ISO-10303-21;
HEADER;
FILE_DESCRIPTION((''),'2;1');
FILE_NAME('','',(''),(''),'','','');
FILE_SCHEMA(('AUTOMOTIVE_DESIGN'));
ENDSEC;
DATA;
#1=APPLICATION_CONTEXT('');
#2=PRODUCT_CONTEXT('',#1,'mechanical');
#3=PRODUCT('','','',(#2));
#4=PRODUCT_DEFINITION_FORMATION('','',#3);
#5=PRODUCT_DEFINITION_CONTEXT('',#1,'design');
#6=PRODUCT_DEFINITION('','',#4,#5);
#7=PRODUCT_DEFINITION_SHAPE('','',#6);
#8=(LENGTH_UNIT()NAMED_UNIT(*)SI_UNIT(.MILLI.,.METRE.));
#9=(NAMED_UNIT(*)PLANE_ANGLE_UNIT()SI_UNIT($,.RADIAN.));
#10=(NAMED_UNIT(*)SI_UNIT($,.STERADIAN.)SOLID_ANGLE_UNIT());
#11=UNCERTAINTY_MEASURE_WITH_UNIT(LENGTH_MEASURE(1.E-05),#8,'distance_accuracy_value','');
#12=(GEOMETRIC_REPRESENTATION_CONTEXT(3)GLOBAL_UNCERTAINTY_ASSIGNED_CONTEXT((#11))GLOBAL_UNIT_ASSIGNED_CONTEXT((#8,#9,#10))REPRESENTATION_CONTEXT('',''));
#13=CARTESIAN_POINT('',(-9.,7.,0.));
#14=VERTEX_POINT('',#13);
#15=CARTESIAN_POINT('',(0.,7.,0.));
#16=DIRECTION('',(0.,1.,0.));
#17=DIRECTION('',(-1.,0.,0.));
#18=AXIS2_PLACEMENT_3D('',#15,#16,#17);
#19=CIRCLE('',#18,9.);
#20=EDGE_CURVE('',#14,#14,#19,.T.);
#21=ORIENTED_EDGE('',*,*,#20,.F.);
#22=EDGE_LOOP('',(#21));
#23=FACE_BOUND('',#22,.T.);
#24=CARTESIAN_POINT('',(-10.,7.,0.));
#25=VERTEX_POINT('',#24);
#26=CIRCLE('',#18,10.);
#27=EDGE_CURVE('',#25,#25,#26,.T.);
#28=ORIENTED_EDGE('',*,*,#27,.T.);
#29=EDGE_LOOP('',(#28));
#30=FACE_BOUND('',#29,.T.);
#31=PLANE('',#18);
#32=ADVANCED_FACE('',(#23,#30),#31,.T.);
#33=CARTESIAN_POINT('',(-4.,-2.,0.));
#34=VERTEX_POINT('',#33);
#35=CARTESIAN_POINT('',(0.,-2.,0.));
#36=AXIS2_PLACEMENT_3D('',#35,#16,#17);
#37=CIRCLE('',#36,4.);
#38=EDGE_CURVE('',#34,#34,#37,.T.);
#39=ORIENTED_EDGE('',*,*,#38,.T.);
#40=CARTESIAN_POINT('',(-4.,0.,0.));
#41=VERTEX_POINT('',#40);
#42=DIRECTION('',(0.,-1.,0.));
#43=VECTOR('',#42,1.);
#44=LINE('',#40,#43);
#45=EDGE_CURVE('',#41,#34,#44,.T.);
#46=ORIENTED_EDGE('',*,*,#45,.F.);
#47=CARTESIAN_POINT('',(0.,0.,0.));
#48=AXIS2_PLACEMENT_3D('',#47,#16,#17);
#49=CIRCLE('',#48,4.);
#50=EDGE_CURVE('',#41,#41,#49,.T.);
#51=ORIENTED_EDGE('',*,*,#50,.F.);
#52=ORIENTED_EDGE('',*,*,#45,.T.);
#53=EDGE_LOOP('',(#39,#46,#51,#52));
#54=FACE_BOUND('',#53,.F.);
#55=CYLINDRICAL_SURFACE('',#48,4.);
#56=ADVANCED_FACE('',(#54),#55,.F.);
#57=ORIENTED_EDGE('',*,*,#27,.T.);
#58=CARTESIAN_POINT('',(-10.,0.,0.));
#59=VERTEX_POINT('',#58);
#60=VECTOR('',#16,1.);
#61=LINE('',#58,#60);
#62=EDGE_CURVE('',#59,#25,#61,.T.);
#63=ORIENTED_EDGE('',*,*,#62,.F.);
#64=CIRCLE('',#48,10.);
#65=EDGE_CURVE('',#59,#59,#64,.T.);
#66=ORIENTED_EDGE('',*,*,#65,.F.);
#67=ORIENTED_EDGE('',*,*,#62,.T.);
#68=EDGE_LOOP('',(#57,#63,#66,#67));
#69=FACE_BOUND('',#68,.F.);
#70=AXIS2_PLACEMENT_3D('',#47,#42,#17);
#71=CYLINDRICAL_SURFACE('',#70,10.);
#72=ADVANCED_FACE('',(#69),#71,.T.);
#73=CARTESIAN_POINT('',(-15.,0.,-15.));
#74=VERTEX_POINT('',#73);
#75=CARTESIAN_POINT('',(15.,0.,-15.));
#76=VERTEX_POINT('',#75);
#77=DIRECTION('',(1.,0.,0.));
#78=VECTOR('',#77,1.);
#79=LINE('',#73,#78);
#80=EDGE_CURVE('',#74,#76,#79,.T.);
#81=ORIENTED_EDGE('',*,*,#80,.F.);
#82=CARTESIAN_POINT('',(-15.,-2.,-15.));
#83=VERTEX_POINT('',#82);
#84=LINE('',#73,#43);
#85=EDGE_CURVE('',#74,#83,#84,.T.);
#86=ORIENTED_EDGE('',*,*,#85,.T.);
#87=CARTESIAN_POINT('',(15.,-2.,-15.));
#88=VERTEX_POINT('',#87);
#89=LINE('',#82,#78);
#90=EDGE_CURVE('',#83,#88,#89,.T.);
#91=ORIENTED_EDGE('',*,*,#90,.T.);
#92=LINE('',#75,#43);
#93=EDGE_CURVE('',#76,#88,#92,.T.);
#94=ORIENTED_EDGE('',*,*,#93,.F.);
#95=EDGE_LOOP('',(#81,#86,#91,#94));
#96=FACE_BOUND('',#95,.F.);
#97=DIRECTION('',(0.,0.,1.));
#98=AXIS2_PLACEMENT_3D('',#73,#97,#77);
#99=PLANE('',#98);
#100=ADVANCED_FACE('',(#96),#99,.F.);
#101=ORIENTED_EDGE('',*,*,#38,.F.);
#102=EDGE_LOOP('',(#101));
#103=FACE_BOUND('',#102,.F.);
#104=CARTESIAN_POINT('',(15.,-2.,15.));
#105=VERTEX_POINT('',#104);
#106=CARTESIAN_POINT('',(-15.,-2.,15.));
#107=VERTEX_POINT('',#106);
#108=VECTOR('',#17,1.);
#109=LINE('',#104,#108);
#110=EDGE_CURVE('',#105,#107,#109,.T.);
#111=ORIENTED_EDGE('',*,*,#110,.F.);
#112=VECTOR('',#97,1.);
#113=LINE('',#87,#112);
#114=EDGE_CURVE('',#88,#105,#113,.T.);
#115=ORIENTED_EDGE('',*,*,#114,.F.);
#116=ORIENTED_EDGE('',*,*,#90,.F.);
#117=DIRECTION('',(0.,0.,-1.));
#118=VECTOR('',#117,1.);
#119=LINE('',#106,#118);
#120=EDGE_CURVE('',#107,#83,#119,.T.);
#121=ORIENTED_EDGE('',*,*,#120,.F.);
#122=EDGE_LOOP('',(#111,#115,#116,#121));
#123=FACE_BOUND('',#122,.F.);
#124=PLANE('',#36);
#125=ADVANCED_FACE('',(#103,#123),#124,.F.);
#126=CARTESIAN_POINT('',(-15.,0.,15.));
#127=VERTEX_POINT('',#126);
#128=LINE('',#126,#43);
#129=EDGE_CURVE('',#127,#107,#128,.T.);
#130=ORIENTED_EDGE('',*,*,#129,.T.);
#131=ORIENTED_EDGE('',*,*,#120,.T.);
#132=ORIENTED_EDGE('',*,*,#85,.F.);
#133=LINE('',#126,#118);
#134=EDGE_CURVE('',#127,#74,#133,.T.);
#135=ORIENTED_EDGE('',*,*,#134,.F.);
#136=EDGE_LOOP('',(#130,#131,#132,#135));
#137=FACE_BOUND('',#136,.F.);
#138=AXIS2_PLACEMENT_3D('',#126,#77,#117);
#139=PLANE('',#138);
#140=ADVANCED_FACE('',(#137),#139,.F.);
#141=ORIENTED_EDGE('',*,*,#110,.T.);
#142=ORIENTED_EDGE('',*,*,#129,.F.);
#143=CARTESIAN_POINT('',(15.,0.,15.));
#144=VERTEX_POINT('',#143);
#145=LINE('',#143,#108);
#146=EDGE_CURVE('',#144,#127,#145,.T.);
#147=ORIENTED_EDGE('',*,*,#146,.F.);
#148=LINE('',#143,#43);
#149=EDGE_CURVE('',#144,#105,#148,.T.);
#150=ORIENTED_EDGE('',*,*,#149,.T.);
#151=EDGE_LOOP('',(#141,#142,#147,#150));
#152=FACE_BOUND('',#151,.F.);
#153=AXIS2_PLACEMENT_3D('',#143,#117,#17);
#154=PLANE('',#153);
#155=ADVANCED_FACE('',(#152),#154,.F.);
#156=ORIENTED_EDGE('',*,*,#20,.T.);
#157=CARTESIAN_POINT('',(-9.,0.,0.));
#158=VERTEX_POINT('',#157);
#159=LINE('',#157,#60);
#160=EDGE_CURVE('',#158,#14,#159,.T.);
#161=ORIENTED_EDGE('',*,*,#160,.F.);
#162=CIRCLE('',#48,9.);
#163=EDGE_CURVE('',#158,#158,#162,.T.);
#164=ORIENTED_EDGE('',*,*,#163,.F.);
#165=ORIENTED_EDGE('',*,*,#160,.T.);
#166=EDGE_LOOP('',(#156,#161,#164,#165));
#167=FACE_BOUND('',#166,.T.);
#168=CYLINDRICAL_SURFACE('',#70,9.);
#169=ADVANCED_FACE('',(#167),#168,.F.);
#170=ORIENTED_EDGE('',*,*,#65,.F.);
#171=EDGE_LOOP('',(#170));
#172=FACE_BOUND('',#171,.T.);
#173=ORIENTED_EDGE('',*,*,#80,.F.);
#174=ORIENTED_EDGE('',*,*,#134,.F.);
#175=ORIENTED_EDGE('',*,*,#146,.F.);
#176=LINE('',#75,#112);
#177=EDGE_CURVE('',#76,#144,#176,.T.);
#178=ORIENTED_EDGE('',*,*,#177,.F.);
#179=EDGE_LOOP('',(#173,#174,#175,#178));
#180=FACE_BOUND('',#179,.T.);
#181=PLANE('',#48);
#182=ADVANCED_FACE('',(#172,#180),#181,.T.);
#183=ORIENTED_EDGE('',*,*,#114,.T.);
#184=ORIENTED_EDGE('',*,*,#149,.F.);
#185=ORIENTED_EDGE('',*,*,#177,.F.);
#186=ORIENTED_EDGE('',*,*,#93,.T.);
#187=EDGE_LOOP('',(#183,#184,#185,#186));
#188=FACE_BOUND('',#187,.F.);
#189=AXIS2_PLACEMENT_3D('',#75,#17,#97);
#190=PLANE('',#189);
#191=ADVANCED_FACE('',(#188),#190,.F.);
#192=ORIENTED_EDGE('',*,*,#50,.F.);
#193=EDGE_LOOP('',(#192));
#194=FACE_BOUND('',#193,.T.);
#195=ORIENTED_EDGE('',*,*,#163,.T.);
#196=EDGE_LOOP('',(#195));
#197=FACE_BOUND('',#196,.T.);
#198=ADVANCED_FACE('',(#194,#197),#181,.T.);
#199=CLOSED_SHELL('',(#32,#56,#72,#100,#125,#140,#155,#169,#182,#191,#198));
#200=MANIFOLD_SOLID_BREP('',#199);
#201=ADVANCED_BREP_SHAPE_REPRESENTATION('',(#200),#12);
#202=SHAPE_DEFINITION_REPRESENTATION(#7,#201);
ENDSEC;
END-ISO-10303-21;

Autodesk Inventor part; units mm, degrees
ref_plane "YZ Plane" through (0, 0, 0) normal (1, 0, 0) x (0, 1, 0)
ref_plane "XZ Plane" through (0, 0, 0) normal (0, 1, 0) x (-1, 0, 0)
ref_plane "XY Plane" through (0, 0, 0) normal (0, 0, 1) x (1, 0, 0)
sketch "Boceto1" plane through (0, 0, 0) normal (0, 1, 0) x (-1, 0, 0)
  line L0 (15, -15) -> (-15, -15)
  line L1 (-15, -15) -> (-15, 15)
  line L2 (-15, 15) -> (15, 15)
  line L3 (15, 15) -> (15, -15)
  line L4 (15, -15) -> (-15, 15) construction
  line L5 (-15, -15) -> (15, 15) construction
  circle A0 centre (0, 0) radius 9
  circle A1 centre (0, 0) radius 4
  circle A2 centre (0, 0) radius 10
  dimension "d0" = 30
  dimension "d1" = 30
  dimension "d9" = 18
  dimension "d12" = 8
  dimension "d15" = 20
extrude "Extrusión1" add sketch "Boceto1" against normal blind 2 contours L0 L1 L2 L3 | A0 | A1 | A2
extrude "Extrusión4" cut sketch "Boceto1" against normal blind 3 contours A1
extrude "Extrusión5" add sketch "Boceto1" along normal blind 7 contours A2
properties part number "RodamientoAspa"
